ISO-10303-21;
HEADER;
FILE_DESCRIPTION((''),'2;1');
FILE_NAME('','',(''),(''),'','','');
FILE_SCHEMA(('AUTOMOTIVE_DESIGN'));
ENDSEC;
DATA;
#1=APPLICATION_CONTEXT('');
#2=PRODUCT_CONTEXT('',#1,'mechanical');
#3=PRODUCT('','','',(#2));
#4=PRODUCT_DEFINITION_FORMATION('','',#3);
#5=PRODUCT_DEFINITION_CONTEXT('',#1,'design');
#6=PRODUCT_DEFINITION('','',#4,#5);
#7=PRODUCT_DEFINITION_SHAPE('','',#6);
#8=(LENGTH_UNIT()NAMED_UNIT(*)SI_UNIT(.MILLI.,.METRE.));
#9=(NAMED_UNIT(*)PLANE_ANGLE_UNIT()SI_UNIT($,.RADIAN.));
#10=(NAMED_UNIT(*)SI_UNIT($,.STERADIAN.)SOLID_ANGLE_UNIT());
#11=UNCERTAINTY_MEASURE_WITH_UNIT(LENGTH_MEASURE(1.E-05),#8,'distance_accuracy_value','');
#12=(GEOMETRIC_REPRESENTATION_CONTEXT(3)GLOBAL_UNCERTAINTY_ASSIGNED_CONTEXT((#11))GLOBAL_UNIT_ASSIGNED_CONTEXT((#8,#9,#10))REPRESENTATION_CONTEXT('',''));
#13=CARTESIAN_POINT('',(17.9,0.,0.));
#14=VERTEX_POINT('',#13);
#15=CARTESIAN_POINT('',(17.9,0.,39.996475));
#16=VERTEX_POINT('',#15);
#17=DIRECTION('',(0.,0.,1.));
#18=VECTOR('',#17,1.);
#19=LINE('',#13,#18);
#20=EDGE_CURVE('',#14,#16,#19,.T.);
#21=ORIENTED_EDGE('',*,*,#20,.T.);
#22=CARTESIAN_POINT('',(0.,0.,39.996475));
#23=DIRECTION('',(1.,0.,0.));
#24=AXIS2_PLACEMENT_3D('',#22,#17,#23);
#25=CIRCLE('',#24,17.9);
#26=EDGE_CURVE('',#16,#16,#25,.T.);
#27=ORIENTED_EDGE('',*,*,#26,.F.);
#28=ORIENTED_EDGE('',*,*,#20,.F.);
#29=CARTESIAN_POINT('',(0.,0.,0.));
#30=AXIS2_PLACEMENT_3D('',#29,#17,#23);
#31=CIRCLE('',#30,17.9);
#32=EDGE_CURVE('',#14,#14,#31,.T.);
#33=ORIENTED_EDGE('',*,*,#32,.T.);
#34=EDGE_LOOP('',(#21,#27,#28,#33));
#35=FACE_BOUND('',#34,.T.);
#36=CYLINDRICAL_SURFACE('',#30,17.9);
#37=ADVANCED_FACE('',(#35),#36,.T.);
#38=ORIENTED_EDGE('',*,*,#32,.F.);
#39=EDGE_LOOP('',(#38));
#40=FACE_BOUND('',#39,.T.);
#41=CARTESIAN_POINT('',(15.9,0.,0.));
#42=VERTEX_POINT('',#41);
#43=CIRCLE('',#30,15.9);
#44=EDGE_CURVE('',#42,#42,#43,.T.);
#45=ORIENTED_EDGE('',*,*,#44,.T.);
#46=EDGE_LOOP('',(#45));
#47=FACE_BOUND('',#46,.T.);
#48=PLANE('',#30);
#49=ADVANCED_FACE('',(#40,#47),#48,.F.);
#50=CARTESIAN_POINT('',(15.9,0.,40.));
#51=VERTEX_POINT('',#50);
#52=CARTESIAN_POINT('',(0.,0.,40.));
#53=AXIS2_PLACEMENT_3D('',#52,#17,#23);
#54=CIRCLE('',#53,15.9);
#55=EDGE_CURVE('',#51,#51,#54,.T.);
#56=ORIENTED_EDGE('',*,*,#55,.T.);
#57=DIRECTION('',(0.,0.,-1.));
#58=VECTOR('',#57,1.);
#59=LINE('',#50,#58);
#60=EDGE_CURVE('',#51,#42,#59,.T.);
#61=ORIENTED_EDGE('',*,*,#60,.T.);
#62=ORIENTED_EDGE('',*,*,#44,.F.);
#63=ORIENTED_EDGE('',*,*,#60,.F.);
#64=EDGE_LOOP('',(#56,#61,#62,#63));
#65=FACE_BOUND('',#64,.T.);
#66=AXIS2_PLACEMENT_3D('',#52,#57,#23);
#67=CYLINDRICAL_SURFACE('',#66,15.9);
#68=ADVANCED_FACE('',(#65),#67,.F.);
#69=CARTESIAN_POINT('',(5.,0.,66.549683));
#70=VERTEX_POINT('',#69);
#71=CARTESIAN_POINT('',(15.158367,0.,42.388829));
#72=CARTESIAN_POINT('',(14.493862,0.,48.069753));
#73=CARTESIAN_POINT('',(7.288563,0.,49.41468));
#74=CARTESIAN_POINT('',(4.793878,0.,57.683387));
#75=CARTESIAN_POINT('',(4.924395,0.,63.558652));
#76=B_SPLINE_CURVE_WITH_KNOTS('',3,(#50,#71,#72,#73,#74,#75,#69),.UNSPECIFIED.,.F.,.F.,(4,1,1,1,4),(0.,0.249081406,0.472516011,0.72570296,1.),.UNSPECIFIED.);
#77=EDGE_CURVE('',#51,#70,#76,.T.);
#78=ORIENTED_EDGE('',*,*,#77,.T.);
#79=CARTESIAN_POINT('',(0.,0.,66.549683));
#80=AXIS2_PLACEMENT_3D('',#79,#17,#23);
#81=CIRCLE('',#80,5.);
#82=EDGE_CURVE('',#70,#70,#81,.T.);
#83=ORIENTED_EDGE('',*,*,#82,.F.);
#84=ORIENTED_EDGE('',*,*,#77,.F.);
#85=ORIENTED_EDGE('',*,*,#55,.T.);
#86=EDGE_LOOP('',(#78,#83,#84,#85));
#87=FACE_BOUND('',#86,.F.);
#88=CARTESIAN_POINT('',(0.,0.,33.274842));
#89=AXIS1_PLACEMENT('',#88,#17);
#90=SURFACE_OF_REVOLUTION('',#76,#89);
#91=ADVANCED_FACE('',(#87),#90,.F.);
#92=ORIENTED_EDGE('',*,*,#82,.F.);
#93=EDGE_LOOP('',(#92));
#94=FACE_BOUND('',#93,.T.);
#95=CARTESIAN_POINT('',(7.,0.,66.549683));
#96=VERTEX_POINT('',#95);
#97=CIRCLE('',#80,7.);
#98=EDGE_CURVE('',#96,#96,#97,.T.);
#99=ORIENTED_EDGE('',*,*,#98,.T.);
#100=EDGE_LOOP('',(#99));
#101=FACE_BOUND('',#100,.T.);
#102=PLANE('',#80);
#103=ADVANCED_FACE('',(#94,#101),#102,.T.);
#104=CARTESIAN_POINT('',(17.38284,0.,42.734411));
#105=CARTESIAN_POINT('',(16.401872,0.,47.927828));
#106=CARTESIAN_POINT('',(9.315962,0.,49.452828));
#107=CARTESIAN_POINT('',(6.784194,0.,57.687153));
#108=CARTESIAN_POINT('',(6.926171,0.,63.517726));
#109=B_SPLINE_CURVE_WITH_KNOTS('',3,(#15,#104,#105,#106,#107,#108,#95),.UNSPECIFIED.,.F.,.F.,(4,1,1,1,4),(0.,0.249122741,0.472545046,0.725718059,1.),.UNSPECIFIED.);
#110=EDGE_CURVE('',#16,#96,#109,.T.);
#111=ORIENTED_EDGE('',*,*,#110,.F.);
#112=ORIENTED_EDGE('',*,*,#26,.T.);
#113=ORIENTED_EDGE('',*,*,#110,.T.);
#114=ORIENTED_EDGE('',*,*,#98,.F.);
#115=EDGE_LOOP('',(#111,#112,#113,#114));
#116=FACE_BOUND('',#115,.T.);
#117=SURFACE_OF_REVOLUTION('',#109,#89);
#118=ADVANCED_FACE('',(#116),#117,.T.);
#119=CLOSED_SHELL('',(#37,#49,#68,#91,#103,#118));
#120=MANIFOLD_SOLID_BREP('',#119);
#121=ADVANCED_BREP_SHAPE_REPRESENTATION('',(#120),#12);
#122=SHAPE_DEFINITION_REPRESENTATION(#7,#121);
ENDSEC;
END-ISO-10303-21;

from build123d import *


with BuildPart() as f1:
    # F0 (on Front) → F1 (revolve)
    with BuildSketch(Plane.XZ):
        with BuildLine():
            Line((15.9, 40), (15.9, 0))
            Line((15.9, 0), (17.9, 0))
            Line((17.9, 0), (17.9, 39.9964749813))
            add(Edge.make_bspline(
                [(17.9, 39.9964749813), (17.3828400381, 42.7344110905), (16.4018722738, 47.9278275607), (9.3159620558, 49.4528277292), (6.7841937464, 57.6871531711), (6.9261705947, 63.5177259977), (7, 66.5496831787)],
                knots=[0, 0, 0, 0, 0.2491227408, 0.4725450462, 0.7257180585, 1, 1, 1, 1], degree=3))
            Line((7, 66.5496831787), (5, 66.5496831787))
            add(Edge.make_bspline(
                [(15.9, 40), (15.1583672642, 42.3888288994), (14.4938624661, 48.0697530876), (7.2885632559, 49.4146800272), (4.7938779749, 57.6833873718), (4.924394727, 63.5586524303), (5, 66.5496831787)],
                knots=[0, 0, 0, 0, 0.249081406, 0.4725160105, 0.7257029597, 1, 1, 1, 1], degree=3))
        make_face()
    revolve(axis=Axis((0, 0, 33.2748415894), (0, 0, 1)))


solid = f1.part
